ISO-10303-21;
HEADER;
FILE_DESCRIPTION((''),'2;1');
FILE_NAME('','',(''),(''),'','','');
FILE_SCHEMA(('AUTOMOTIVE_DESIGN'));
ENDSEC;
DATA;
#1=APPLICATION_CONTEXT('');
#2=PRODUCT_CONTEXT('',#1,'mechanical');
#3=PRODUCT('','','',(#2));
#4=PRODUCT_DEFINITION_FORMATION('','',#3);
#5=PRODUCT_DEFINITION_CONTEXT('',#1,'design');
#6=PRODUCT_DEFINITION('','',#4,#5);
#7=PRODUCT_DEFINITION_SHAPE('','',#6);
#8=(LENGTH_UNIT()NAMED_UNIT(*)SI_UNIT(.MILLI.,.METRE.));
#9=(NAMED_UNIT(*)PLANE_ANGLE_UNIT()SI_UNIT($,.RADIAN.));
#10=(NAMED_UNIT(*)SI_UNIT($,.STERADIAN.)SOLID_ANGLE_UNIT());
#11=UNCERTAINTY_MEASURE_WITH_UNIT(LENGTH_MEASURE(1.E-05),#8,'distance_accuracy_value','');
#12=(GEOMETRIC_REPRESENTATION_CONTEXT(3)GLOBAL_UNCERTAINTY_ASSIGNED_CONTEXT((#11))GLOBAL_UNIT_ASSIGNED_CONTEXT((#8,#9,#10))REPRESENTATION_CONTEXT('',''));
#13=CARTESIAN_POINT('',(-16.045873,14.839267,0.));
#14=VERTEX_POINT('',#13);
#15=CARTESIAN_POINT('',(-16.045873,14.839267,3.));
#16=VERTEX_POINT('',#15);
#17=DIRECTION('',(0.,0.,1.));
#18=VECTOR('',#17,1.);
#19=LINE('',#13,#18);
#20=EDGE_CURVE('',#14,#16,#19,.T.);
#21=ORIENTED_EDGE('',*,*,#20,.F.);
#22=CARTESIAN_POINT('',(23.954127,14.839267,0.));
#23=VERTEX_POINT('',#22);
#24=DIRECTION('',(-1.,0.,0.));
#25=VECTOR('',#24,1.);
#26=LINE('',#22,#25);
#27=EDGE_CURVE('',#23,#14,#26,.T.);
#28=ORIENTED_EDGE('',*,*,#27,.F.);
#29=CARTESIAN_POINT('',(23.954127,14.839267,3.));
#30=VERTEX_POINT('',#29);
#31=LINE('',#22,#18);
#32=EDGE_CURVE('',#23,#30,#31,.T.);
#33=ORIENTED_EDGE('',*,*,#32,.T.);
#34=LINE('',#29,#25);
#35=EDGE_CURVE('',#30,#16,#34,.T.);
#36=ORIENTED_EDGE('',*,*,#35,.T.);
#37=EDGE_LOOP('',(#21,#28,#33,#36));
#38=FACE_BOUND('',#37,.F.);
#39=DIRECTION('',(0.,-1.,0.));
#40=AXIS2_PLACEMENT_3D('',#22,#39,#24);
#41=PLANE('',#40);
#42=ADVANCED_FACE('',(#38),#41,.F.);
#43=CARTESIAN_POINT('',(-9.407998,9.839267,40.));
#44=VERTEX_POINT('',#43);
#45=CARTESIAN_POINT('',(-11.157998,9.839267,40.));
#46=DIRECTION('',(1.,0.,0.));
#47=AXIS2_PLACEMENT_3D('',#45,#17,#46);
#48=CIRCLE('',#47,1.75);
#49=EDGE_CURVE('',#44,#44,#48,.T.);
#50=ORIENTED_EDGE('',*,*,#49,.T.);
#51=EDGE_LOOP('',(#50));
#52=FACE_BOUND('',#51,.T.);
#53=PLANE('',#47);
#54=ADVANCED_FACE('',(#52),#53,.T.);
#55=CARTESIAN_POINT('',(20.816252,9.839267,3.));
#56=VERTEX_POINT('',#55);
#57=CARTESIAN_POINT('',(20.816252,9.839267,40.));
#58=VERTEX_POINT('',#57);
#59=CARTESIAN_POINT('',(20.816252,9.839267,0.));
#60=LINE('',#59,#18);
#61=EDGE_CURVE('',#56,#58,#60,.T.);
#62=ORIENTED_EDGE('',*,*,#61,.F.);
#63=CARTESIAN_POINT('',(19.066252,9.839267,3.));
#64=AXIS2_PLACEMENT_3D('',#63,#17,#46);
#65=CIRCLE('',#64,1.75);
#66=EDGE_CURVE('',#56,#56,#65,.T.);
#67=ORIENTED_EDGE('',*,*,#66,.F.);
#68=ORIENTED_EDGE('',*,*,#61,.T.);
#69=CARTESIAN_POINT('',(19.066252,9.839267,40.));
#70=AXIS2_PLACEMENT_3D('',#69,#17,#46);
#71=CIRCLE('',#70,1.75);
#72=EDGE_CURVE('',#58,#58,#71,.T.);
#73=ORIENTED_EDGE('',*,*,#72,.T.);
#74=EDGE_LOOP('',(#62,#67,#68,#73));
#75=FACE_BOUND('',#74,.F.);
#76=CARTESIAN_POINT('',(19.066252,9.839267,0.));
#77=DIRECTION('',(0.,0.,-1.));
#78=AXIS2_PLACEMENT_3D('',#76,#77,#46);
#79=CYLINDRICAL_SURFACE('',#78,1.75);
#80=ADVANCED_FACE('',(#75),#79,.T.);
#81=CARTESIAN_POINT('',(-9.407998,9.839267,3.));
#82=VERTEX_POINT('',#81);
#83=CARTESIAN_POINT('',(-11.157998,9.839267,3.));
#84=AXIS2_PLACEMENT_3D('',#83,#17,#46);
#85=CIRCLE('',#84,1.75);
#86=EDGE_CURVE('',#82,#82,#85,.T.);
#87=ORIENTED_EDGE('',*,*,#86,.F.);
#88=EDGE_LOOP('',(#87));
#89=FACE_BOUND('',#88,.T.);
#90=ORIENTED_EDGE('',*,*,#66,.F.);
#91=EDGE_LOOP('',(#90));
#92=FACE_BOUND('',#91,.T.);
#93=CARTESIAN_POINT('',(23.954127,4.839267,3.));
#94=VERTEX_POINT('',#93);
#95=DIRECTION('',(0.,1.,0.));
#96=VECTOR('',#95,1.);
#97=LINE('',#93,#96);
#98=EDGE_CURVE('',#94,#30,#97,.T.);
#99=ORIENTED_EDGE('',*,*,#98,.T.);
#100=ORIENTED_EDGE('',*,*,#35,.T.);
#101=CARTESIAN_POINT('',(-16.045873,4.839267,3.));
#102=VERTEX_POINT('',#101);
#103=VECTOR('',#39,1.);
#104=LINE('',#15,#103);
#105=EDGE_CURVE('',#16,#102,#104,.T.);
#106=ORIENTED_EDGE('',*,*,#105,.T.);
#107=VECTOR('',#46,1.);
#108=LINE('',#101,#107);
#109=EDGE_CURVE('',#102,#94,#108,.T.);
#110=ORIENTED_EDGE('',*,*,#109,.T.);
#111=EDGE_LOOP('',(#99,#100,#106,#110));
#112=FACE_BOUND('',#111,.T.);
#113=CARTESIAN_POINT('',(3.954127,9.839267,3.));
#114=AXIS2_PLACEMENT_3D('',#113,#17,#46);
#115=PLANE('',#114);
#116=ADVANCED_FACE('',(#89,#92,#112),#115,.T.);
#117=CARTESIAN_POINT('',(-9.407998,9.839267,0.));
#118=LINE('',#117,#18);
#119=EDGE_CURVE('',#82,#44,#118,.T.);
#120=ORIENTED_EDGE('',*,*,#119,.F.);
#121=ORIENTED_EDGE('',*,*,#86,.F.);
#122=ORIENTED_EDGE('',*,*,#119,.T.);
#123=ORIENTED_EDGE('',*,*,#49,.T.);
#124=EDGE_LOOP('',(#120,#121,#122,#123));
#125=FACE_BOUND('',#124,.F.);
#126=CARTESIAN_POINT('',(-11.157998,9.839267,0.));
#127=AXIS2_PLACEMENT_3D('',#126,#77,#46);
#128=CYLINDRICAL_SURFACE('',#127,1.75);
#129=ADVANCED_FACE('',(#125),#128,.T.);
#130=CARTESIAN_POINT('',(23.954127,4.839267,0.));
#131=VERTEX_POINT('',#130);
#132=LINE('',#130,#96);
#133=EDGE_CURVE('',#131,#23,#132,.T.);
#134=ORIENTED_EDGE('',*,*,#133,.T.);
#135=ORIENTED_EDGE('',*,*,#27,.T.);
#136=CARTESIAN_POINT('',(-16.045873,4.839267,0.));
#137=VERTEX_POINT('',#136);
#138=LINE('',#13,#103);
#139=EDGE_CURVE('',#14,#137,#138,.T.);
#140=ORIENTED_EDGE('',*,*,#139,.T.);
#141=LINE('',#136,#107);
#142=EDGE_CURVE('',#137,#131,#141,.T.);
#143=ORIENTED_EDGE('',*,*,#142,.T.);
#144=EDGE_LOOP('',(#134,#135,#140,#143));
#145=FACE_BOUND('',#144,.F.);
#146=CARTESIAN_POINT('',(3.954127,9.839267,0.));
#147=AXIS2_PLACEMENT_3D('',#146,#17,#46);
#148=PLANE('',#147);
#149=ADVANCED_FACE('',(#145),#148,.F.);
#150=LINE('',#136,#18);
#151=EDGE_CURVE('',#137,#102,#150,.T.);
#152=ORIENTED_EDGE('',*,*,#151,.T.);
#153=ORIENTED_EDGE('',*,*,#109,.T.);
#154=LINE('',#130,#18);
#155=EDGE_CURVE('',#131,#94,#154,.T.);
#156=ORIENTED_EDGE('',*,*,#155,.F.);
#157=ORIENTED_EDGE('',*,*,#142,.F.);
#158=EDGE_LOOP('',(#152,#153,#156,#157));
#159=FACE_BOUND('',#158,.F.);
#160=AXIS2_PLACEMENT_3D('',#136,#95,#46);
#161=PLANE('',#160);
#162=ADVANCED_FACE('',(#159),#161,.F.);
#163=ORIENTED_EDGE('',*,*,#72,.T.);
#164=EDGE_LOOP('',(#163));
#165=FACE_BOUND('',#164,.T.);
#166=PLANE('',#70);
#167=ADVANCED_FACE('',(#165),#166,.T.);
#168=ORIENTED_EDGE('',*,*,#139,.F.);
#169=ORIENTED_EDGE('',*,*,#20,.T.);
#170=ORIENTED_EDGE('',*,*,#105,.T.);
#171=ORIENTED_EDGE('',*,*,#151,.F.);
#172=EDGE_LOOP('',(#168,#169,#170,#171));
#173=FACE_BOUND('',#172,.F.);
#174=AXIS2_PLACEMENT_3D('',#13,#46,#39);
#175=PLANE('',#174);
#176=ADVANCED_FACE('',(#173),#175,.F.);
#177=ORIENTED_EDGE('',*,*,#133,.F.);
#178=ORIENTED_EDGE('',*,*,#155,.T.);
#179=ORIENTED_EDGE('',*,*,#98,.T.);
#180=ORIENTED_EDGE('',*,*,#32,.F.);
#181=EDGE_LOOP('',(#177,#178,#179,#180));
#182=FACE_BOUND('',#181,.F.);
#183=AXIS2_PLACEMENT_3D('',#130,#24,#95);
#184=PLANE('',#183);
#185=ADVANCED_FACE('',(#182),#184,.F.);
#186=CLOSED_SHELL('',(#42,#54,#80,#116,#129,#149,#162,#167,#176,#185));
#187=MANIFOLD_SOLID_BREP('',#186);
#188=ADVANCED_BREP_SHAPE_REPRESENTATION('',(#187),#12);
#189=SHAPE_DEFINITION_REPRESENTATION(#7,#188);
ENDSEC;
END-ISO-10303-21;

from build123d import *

# Parameters (mm, degrees)
F0_R     = 1.75
F1_DEPTH = 3
F2_DEPTH = 40


with BuildPart() as f1:
    # F0 (on Top) → F1 (new body)
    with BuildSketch(Plane.XY):
        Polygon((3.954127, 14.839267), (-16.045873, 14.839267), (-16.045873, 4.839267), (3.954127, 4.839267), (23.954127, 4.839267), (23.954127, 14.839267), align=None)
        with Locations((-11.157998, 9.839267)):
            Circle(F0_R, mode=Mode.SUBTRACT)
        with Locations((19.066252, 9.839267)):
            Circle(F0_R, mode=Mode.SUBTRACT)
    extrude(amount=F1_DEPTH)

    # F0 (on Top) → F2 (join)
    with BuildSketch(Plane.XY):
        with Locations((19.066252, 9.839267)):
            Circle(F0_R)
        with Locations((-11.157998, 9.839267)):
            Circle(F0_R)
    extrude(amount=F2_DEPTH)


solid = f1.part
